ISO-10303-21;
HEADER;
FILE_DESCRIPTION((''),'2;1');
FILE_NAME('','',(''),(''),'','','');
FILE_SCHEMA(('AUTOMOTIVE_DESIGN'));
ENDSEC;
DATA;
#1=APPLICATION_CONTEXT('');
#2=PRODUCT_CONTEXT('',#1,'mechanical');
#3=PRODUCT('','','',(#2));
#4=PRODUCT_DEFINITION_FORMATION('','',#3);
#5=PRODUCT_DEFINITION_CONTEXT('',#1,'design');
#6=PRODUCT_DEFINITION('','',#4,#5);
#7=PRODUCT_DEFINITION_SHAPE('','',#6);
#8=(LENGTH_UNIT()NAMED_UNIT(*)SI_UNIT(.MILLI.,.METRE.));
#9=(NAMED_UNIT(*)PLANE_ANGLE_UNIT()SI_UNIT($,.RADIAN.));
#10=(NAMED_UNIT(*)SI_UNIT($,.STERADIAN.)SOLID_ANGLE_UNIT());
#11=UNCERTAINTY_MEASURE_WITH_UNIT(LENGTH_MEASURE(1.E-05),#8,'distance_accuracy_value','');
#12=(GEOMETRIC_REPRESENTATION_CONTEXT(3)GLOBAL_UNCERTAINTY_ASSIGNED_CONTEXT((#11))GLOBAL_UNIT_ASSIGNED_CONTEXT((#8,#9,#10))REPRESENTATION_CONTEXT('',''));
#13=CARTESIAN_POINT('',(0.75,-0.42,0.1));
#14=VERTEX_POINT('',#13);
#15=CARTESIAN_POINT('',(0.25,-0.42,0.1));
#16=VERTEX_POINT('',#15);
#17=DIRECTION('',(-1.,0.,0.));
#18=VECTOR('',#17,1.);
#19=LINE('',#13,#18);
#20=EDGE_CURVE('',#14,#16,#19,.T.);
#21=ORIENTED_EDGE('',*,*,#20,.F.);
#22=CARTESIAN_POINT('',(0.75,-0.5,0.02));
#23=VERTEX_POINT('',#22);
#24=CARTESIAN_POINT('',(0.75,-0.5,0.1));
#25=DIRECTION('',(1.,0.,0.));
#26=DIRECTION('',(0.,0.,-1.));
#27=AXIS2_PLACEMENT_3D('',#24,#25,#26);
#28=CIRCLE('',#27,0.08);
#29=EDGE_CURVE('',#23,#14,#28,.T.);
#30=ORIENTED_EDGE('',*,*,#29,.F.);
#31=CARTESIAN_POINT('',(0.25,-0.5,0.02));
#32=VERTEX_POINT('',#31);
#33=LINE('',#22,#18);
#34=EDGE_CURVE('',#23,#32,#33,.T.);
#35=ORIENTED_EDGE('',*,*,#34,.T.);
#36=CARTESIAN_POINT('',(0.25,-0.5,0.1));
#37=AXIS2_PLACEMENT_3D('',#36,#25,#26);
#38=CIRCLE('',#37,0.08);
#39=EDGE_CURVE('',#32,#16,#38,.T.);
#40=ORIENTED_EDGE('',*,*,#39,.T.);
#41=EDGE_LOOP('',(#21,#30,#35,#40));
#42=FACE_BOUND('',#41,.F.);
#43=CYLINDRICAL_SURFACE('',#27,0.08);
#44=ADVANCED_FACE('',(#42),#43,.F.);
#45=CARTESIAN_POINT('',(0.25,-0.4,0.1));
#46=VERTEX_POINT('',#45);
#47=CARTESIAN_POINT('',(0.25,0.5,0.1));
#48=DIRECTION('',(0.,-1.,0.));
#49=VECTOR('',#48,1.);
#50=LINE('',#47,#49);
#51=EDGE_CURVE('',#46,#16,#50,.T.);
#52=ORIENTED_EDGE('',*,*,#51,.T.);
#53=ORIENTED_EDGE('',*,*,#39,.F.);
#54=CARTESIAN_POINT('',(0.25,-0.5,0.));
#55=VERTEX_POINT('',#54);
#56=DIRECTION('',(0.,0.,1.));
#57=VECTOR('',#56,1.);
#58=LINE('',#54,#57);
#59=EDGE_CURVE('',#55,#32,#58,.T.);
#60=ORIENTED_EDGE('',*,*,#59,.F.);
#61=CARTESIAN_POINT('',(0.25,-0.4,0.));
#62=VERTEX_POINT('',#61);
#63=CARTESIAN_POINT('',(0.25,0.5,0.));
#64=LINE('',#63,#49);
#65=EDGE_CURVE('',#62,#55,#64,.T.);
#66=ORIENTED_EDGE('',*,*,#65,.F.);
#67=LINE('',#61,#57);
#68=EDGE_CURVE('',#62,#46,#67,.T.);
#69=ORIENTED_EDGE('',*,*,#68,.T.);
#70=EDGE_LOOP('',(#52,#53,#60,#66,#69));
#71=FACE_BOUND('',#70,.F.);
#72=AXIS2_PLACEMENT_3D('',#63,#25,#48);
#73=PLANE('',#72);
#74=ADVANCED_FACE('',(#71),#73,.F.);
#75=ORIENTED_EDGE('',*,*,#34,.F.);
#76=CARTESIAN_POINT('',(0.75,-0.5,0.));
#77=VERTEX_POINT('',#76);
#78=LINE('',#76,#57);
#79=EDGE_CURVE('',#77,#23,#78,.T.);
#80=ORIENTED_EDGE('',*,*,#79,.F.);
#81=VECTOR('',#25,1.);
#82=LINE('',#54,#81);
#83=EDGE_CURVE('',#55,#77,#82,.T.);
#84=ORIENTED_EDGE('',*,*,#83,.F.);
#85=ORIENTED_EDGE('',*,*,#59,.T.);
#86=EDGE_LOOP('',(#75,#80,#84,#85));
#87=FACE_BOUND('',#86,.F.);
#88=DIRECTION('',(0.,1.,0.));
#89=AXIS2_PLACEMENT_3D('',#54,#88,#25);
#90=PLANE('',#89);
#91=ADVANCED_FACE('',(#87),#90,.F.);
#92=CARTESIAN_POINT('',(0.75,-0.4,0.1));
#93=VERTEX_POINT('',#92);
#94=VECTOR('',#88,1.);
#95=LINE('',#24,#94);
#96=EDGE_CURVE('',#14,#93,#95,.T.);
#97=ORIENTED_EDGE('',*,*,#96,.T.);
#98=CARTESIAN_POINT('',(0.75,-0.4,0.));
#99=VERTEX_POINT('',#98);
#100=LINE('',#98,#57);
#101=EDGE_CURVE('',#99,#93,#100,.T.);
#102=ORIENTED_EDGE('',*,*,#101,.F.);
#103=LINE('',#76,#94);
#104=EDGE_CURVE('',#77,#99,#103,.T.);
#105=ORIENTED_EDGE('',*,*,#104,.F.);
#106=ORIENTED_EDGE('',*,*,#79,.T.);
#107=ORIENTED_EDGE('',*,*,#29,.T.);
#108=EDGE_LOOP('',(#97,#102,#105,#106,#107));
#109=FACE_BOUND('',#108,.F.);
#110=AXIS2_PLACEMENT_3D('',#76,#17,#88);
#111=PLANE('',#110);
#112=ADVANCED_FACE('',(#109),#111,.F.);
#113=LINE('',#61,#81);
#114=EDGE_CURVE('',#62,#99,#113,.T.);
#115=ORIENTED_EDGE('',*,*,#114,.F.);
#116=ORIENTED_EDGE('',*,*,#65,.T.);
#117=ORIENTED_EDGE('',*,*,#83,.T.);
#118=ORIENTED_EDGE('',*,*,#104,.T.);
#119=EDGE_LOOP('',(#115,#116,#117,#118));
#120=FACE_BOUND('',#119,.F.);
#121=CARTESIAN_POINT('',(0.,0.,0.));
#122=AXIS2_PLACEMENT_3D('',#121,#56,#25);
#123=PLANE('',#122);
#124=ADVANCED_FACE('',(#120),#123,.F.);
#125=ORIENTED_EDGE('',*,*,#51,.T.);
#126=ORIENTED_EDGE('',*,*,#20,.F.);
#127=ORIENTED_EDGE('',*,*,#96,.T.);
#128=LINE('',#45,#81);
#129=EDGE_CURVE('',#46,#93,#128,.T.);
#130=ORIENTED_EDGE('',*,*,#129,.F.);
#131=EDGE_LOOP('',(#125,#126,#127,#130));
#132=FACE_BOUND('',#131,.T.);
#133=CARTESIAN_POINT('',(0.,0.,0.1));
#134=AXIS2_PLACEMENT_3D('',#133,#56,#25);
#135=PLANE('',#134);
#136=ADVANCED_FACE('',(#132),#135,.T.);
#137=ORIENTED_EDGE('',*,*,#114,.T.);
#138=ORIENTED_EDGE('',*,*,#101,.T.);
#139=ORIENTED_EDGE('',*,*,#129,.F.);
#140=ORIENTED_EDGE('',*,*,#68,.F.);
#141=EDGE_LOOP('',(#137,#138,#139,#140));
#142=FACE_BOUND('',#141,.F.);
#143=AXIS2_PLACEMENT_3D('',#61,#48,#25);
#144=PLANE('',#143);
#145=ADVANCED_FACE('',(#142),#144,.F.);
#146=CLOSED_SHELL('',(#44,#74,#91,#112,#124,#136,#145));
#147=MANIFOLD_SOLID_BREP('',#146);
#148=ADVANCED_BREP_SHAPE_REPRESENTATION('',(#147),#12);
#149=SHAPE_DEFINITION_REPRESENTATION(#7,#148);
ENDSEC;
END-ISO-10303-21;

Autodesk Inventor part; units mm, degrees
ref_plane "YZ Plane" through (0, 0, 0) normal (1, 0, 0) x (0, 1, 0)
ref_plane "XZ Plane" through (0, 0, 0) normal (0, 1, 0) x (-1, 0, 0)
sketch "스케치1" plane through (0, 0, 0) normal (0, 0, 1) x (1, 0, 0)
  line L0 (-0.15, 0) -> (0.9, 0) construction
  line L1 (0, -0.7) -> (0, 0.7) construction
  line L2 (0.25, -0.5) -> (0.75, -0.5)
  line L3 (0.75, -0.5) -> (0.75, 0.5)
  line L4 (0.75, 0.5) -> (0.25, 0.5)
  line L5 (0.25, 0.5) -> (0.25, -0.5)
  point P0 (0, 0)
  point P1 (0.5, -0.5)
  dimension "d7" = 0.5
  dimension "d8" = 1
  dimension "d9" = 0.25
extrude "돌출1" add sketch "스케치1" along normal blind 0.1
sketch "스케치3" plane through (0.25, 0.5, 0) normal (0, 1, 0) x (1, 0, 0)
  line L0 (-0.25, 0.7571) -> (-0.25, -0.2929) construction
  line L1 (-0.4, 0) -> (0.65, 0) construction
  line L2 (0.5, 0) -> (0, 0) projected
  line L3 (0, 0) -> (0, -0.1) projected
  line L4 (0.5, -0.1) -> (0, -0.1) projected
  line L5 (0.5, 0) -> (0.5, -0.1) projected
  arc A0 (0, -0.1) -> (0.5, -0.1) centre (0.25, 0.6071) ccw
  line L6 (0.25, -0.1) -> (0.25, 0.4799) construction
  point P0 (-0.25, 0)
  dimension "d10" = 0.75
sketch "스케치5" plane through (0, 0, 0.1) normal (0, 0, 1) x (1, 0, 0)
  line L0 (0.75, -0.5) -> (0.75, 0.5) projected
  line L1 (0.75, 0.5) -> (0.25, 0.5) projected
  line L2 (0.25, 0.5) -> (0.25, -0.5) projected
  line L3 (0.25, -0.5) -> (0.75, -0.5) projected
  line L4 (-0.15, 0) -> (0.9, 0) construction
  line L5 (0, -0.7) -> (0, 0.7) construction
  line L6 (-0.15, 0) -> (0.9, 0) construction
  line L7 (0, 0.7) -> (0, -0.7) construction
  line L8 (0.75, 0.4) -> (0.25, 0.4)
  line L9 (0.75, -0.4) -> (0.25, -0.4)
  point P0 (0, 0)
  dimension "d18" = 1
  dimension "d19" = 0.4
sketch "스케치6" plane through (0.75, -0.5, 0) normal (1, 0, 0) x (0, 0, -1)
  line L0 (0, 0) -> (0, 1) projected
  line L1 (0, 1) -> (-0.1, 1) projected
  line L2 (-0.1, 0) -> (-0.1, 1) projected
  line L3 (0, 0) -> (-0.1, 0) projected
  line L4 (0, 0.5) -> (-0.1, 0.5) construction
  line L5 (0, 0.92) -> (-0.1, 0.92)
  arc A0 (-0.1, 0.92) -> (-0.02, 1) centre (-0.1, 1) ccw
  arc A1 (-0.02, 0) -> (-0.1, 0.08) centre (-0.1, 0) ccw
  point P0 (-0.05, 0.5)
  point P1 (-0.05, 0.92)
  point P2 (-0.02, 0)
  point P3 (-0.1, 0.08)
  dimension "d20" = 0.42
extrude "돌출5" cut sketch "스케치6" against normal up to surface (0.5 mm away) contours L3 L2 A1 | L2 L1 A0
sketch "스케치7" plane through (0.75, -0.5, 0) normal (1, 0, 0) x (0, 0, -1)
  arc A0 (-0.1, 0.92) -> (-0.02, 1) centre (-0.1, 1) ccw projected
  line L0 (-0.1, 0.08) -> (-0.1, 0.92) projected
  arc A1 (-0.02, 0) -> (-0.1, 0.08) centre (-0.1, 0) ccw projected
  line L1 (0, 0) -> (-0.02, 0) projected
  line L2 (0, 0) -> (0, 1) projected
  line L3 (0, 1) -> (-0.02, 1) projected
  line L4 (0, 0.5) -> (-0.2526, 0.5) construction
  line L5 (-0.2526, 0.5) -> (-0.2526, 0.9) construction
  line L6 (-0.2526, 0.9) -> (-0.1, 0.9) construction
  line L7 (-0.2526, 0.1) -> (-0.1, 0.1) construction
  dimension "d23" = 0.4
ref_plane "작업 평면1" through (0.25, -0.4, 0) normal (0, -1, 0) x (1, 0, 0)
sketch "스케치8" plane through (0.25, -0.4, 0) normal (0, -1, 0) x (1, 0, 0)
  line L0 (0, 0.02) -> (0, 0.1) projected
  line L1 (0.5, 0.02) -> (0, 0.02) projected
  line L2 (0.5, 0.1) -> (0.5, 0.02) projected
  line L3 (0, 0.1) -> (0.5, 0.1) projected
  line L4 (0.5, 0.02) -> (0, 0.02) projected
  line L5 (0, 0) -> (0, 0.02) projected
  line L6 (0, 0) -> (0.5, 0) projected
  line L7 (0.5, 0) -> (0.5, 0.02) projected
  point P0 (-0.25, 0)
  point P1 (0.5, 0.02)
  point P2 (0, 0.02)
extrude "돌출6" cut sketch "스케치8" against normal blind 10
properties part number "flat_surface_1"
